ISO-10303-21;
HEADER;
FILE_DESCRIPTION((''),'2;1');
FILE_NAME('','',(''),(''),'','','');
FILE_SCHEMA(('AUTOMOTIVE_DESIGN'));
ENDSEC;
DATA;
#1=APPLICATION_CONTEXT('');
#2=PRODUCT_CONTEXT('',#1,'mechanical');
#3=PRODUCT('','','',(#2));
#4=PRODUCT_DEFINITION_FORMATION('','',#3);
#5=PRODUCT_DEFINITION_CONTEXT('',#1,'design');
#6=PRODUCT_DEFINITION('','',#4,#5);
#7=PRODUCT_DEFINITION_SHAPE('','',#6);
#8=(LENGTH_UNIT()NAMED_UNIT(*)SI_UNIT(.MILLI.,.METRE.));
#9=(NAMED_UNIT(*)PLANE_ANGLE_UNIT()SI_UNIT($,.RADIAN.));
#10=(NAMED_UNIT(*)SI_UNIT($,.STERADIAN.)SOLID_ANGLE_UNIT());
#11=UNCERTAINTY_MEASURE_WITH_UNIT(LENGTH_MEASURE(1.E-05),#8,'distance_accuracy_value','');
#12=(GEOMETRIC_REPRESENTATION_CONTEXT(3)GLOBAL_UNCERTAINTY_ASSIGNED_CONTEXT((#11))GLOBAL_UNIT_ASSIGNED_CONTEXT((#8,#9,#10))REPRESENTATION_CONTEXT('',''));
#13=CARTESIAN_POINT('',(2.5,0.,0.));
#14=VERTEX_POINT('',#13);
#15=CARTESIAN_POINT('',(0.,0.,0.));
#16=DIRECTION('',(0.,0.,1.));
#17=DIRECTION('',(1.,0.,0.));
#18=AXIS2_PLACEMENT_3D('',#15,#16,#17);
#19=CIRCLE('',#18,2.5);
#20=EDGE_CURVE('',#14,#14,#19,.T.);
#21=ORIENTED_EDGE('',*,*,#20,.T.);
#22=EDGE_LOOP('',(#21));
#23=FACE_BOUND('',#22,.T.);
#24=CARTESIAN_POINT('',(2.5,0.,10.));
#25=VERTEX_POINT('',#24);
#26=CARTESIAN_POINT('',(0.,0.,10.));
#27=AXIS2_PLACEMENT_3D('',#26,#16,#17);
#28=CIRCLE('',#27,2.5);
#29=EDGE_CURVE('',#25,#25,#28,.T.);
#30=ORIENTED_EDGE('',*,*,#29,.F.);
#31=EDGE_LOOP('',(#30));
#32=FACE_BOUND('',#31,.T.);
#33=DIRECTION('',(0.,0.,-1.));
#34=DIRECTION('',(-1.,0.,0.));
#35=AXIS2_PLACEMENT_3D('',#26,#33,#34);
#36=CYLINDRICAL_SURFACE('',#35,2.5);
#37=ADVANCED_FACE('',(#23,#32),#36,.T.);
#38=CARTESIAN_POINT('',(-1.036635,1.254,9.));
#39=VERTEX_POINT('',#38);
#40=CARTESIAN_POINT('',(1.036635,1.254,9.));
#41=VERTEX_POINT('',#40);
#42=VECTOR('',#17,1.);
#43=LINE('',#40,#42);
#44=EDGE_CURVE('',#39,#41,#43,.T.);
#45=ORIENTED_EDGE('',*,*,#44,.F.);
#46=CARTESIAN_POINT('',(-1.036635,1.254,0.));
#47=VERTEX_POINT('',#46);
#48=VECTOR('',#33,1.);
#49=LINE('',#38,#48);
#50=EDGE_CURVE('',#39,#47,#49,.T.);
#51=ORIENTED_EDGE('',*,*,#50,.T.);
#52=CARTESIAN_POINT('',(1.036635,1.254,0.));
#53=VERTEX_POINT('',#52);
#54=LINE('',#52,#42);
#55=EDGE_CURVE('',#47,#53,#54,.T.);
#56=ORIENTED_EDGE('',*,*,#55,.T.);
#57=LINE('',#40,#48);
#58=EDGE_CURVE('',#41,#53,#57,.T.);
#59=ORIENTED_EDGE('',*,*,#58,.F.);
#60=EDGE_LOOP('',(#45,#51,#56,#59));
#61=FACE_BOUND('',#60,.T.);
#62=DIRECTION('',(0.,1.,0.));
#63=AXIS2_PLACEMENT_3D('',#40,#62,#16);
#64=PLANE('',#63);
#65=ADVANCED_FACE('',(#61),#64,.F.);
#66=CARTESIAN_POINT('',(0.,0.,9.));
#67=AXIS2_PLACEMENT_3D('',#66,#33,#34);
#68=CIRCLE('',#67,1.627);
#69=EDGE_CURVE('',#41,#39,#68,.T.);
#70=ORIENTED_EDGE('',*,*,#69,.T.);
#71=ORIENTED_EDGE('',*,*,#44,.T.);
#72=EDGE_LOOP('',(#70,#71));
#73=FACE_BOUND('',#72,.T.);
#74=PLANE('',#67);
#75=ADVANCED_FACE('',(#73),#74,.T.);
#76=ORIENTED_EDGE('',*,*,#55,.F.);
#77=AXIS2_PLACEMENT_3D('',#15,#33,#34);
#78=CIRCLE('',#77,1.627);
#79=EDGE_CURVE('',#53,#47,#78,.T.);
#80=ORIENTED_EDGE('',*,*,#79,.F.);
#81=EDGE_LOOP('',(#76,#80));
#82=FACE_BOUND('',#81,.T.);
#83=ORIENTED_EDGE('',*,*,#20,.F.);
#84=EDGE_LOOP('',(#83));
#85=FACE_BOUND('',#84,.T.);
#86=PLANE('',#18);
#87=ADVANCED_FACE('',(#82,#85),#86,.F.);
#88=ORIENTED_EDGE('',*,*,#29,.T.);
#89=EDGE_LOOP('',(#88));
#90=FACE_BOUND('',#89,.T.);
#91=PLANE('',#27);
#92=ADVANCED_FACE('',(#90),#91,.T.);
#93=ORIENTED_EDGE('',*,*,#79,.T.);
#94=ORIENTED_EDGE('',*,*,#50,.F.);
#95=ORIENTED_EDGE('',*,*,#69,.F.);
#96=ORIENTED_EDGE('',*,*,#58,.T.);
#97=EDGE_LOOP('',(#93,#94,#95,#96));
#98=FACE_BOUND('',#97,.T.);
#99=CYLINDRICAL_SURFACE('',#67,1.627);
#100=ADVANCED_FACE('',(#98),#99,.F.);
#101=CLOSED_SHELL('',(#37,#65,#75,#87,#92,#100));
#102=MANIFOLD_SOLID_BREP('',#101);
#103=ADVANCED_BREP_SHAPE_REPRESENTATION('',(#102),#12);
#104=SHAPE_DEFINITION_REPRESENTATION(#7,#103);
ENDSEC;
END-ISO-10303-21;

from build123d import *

# Parameters (mm, degrees)
SKETCH2_R           = 2.5
BOSS_EXTRUDE1_DEPTH = 10
CUT_EXTRUDE1_DEPTH  = 9


with BuildPart() as part:
    # Sketch2 → Boss-Extrude1 (new body)
    with BuildSketch(Plane.XY):
        Circle(SKETCH2_R)
    extrude(amount=BOSS_EXTRUDE1_DEPTH)

    # Sketch3 → Cut-Extrude1 (cut)
    with BuildSketch(Plane(origin=(0, 0, 0), x_dir=(-1, 0, 0), z_dir=(0, 0, -1))):
        with BuildLine():
            Line((-1.036635423, 1.254), (1.036635423, 1.254))
            ThreePointArc((1.036635423, 1.254), (0, -1.627), (-1.036635423, 1.254))
        make_face()
    extrude(amount=-CUT_EXTRUDE1_DEPTH, mode=Mode.SUBTRACT)


solid = part.part
